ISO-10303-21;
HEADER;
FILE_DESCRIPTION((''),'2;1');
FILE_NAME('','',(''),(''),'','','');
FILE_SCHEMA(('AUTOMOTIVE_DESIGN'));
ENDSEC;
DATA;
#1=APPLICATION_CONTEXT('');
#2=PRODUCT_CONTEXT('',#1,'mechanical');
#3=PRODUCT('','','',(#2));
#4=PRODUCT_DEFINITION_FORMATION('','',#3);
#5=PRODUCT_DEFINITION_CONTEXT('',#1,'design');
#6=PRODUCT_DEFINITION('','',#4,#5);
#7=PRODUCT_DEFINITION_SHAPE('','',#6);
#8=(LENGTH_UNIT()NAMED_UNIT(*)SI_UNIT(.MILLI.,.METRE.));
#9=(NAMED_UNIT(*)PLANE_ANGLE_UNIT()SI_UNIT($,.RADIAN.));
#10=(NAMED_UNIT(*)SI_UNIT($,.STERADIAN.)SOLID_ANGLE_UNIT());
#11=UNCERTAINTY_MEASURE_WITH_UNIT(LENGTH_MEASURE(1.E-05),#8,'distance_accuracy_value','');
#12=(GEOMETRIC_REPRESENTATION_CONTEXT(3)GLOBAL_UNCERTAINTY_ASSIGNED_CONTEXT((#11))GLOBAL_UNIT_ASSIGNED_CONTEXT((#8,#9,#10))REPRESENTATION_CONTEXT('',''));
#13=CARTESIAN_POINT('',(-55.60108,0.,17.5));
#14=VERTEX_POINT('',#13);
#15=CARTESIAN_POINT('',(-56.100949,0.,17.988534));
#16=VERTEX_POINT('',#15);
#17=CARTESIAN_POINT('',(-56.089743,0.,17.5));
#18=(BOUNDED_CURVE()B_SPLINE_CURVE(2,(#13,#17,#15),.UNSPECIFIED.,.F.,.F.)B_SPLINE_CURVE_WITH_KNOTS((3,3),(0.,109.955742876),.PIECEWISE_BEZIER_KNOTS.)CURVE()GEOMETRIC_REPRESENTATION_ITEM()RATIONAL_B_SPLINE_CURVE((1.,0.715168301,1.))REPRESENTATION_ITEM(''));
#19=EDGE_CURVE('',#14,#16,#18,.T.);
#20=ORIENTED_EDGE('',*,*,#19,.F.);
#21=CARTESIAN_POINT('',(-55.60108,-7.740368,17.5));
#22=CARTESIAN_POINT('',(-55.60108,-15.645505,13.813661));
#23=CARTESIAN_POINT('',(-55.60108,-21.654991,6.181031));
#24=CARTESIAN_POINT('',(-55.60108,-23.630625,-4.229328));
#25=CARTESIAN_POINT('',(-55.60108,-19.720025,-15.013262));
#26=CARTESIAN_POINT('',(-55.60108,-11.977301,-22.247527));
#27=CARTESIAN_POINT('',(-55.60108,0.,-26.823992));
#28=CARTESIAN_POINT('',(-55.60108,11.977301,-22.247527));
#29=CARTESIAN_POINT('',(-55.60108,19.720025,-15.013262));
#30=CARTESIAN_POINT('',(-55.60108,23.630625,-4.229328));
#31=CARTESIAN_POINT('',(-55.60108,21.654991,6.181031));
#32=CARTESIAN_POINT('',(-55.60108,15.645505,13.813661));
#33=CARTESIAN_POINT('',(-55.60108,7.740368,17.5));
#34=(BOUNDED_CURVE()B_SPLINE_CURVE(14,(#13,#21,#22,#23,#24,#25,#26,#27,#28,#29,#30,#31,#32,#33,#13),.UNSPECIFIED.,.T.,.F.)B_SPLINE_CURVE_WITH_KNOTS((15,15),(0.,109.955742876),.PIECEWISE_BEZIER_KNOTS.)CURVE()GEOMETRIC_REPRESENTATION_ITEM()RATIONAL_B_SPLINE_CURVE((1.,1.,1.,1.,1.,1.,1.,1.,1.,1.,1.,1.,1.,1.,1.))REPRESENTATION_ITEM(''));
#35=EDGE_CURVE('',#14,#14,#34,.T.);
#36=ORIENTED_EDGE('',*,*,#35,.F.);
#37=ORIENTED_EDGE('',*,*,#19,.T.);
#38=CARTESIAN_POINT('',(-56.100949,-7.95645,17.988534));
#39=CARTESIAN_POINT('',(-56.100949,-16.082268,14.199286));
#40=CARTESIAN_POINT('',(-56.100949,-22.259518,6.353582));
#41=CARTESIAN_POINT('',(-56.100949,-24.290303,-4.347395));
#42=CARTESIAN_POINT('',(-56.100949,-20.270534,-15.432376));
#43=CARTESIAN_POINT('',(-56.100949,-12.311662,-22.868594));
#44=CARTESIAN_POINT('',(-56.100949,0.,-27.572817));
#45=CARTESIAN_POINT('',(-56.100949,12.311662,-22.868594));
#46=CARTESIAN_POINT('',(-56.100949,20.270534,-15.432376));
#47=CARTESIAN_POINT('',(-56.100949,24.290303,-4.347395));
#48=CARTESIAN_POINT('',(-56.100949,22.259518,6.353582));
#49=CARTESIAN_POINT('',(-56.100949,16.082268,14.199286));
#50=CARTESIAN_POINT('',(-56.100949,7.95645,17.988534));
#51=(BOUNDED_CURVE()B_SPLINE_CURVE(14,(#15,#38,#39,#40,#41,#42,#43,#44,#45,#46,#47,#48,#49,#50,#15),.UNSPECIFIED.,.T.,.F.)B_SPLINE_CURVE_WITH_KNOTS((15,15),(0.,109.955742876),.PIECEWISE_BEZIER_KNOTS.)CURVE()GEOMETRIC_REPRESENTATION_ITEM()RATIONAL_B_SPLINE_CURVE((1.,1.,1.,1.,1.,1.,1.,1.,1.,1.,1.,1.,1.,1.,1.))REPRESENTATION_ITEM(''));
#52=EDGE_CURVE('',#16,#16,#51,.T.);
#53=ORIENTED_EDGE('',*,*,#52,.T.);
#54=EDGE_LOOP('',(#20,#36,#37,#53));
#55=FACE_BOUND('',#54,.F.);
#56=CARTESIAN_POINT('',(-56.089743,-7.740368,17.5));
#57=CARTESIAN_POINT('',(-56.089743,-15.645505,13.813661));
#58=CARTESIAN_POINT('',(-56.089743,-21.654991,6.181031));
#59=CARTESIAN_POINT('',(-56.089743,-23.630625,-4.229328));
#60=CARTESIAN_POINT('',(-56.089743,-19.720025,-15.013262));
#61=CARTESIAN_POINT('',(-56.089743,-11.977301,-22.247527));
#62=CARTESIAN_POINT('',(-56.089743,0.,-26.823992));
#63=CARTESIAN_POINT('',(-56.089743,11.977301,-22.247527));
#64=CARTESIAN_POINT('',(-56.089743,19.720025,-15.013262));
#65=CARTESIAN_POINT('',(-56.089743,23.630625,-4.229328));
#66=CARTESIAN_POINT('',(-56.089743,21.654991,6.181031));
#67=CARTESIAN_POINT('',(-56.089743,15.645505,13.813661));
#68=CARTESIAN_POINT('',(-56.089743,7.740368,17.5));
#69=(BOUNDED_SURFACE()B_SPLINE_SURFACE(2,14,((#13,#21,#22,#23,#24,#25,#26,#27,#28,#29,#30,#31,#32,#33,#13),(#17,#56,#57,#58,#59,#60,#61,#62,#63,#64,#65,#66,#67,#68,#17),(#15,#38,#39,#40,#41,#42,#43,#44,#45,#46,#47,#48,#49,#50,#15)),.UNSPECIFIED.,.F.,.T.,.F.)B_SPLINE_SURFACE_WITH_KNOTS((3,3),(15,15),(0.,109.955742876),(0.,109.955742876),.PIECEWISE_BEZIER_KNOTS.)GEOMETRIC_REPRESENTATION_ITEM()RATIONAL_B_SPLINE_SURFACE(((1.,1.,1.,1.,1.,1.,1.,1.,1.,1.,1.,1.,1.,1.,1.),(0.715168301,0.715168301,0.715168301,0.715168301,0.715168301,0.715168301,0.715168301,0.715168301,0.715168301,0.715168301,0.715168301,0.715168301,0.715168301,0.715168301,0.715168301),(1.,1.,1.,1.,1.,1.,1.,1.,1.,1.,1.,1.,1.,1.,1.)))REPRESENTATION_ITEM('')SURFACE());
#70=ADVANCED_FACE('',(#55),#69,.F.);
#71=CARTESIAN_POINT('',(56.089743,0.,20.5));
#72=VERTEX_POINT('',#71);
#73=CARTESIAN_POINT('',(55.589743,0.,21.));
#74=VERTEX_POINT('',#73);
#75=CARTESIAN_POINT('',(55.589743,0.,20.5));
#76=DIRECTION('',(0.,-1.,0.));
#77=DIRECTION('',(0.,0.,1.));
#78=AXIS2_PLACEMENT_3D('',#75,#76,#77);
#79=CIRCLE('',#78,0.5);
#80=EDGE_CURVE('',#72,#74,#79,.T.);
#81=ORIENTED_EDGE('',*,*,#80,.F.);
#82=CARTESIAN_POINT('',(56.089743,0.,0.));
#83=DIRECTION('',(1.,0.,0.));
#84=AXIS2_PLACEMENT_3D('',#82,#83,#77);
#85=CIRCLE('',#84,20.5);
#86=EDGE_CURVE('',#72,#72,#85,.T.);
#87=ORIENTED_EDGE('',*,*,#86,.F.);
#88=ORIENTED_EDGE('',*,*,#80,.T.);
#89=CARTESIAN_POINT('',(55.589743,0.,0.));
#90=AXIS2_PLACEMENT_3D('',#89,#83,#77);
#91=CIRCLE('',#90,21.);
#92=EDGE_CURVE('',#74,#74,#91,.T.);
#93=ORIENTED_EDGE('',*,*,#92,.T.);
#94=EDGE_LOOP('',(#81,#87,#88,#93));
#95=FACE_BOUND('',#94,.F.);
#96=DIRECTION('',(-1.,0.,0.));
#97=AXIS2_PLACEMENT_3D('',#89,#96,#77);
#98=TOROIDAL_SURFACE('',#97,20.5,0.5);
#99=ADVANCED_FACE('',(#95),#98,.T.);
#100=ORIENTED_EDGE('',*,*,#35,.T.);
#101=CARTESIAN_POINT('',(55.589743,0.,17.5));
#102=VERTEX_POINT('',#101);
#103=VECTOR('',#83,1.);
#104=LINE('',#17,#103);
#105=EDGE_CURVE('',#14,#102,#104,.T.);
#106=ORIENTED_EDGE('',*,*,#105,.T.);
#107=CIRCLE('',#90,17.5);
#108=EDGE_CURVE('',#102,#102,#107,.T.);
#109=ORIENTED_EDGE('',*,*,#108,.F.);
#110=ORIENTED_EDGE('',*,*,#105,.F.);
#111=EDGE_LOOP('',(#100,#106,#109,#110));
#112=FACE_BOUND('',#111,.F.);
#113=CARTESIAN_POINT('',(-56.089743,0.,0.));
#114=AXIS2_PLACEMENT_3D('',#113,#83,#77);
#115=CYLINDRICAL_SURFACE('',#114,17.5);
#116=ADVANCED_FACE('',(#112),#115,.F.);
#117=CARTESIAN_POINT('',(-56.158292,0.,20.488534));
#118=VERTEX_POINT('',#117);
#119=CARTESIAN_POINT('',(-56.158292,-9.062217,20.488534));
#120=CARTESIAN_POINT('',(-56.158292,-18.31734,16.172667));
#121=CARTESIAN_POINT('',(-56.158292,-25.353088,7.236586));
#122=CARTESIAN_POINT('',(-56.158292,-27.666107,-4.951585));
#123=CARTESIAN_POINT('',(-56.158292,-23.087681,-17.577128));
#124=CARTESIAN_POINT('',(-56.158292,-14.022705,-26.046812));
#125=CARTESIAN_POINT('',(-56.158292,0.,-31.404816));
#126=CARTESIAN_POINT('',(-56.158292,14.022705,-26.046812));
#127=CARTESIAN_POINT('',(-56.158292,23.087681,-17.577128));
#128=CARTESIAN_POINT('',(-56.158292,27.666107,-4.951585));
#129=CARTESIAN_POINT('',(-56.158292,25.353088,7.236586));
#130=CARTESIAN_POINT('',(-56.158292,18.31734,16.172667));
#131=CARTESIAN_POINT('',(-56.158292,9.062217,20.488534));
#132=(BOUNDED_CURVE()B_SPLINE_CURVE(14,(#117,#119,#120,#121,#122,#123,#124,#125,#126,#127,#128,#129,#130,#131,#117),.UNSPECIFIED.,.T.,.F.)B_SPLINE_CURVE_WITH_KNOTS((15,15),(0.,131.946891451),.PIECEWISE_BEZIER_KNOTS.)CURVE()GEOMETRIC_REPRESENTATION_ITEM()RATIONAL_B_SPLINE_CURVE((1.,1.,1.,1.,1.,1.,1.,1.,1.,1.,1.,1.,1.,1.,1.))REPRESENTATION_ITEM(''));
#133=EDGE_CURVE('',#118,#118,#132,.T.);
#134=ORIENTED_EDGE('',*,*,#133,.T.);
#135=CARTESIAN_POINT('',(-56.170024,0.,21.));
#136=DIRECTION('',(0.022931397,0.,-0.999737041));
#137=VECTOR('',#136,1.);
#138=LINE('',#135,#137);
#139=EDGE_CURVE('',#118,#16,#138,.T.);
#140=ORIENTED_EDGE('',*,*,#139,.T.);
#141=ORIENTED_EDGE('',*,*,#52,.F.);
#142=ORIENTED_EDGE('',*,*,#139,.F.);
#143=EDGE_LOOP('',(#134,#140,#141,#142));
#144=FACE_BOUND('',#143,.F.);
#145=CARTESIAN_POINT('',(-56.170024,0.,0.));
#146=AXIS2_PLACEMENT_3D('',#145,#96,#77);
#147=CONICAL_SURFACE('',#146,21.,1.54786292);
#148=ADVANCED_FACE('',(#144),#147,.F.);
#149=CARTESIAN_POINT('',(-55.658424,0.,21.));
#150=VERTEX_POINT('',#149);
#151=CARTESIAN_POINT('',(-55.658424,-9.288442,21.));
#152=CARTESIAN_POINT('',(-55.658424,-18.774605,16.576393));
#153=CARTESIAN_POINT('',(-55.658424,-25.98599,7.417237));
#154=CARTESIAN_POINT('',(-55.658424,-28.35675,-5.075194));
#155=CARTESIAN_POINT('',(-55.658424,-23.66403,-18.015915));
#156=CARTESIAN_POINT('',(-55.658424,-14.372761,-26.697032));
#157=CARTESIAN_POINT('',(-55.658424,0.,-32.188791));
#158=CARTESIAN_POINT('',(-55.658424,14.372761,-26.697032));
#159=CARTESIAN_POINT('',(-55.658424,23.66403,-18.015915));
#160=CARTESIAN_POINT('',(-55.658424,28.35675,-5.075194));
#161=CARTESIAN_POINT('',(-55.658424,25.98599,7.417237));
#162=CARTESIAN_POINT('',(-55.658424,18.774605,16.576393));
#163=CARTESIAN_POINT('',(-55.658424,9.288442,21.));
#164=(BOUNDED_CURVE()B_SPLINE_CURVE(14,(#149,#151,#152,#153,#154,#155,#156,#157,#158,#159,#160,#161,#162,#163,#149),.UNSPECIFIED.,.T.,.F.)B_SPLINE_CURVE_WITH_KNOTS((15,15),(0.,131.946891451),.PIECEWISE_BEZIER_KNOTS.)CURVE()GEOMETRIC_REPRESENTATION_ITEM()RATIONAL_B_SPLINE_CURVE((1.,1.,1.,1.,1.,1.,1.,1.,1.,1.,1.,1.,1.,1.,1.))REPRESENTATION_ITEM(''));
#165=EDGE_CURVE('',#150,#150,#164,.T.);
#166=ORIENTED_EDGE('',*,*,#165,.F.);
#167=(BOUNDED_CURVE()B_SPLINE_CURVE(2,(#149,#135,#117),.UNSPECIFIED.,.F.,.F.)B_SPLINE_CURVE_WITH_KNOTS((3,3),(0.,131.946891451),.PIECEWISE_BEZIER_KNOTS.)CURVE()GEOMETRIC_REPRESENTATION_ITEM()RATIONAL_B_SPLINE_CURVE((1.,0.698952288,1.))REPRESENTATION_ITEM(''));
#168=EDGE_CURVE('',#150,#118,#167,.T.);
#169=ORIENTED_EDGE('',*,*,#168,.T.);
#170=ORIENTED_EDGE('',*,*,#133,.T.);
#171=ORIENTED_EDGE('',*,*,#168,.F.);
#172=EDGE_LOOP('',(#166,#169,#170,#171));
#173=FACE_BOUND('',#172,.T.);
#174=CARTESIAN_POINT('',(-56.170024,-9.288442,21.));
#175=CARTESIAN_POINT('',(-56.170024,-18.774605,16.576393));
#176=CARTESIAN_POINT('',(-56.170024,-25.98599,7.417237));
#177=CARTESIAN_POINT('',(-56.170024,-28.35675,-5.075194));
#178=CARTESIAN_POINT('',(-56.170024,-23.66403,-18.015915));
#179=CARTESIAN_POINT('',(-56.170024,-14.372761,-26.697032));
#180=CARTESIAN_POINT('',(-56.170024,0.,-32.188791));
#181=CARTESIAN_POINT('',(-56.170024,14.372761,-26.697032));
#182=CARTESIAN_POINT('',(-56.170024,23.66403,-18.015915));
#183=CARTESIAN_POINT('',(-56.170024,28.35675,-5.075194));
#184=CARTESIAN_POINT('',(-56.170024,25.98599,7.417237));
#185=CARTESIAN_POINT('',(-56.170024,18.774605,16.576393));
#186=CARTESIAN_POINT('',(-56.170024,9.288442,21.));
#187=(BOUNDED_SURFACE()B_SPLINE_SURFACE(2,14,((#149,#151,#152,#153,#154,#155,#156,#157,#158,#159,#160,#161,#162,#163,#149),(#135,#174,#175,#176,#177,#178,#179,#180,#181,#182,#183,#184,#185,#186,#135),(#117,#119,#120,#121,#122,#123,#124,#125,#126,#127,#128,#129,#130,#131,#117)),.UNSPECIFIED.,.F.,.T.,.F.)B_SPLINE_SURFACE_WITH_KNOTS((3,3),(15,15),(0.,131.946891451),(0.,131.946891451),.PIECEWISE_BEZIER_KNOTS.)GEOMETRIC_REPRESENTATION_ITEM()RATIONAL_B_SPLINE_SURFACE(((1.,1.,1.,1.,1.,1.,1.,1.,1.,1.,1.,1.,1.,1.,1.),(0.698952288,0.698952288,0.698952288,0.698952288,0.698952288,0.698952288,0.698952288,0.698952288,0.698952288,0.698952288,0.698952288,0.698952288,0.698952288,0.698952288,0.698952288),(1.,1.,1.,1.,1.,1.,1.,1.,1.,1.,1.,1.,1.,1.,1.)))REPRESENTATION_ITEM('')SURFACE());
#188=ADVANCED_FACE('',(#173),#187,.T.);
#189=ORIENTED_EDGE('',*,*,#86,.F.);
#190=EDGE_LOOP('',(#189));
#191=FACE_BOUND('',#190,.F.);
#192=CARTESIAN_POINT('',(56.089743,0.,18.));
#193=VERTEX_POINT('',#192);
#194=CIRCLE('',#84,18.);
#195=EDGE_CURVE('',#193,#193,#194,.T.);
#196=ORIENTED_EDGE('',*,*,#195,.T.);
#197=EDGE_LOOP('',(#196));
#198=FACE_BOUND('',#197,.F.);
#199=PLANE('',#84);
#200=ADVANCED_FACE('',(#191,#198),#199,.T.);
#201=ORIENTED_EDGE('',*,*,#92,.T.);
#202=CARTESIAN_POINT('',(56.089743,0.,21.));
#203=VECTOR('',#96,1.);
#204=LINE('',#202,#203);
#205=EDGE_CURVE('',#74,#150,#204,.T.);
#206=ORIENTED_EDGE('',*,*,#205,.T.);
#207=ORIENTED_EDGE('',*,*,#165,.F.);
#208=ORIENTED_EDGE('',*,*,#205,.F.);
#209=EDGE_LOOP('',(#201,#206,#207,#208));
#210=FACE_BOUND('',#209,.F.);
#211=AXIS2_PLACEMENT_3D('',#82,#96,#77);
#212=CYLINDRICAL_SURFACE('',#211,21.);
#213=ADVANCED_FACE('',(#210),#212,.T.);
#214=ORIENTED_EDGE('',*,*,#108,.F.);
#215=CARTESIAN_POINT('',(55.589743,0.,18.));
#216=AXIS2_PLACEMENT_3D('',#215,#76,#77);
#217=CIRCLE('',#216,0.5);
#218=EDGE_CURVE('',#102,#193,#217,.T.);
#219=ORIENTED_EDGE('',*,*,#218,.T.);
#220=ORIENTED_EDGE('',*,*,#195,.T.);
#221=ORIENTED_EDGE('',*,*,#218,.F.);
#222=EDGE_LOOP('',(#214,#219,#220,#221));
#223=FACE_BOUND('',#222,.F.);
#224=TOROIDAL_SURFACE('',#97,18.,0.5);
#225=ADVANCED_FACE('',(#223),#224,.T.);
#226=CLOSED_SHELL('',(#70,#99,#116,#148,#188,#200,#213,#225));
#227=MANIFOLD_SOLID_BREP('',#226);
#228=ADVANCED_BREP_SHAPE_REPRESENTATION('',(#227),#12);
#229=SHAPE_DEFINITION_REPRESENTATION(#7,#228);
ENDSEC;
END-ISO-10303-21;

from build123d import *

# Parameters (mm, degrees)
F2_R = 0.5


with BuildPart() as f1:
    # F0 (on Front) → F1 (revolve)
    with BuildSketch(Plane.XZ):
        Polygon((-56.089743, 17.5), (56.089743, 17.5), (56.089743, 21), (-56.170024, 21), align=None)
    revolve(axis=Axis((0, 0, 0), (1, 0, 0)))

    # F2
    f2_edges = [f1.edges().sort_by_distance(p)[0] for p in [
        (56.089743, 0, -17.5),
        (56.089743, 0, -21),
        (-56.170024, 0, -21),
        (-56.089743, 0, -17.5),
    ]]
    fillet(f2_edges, radius=F2_R)


solid = f1.part
